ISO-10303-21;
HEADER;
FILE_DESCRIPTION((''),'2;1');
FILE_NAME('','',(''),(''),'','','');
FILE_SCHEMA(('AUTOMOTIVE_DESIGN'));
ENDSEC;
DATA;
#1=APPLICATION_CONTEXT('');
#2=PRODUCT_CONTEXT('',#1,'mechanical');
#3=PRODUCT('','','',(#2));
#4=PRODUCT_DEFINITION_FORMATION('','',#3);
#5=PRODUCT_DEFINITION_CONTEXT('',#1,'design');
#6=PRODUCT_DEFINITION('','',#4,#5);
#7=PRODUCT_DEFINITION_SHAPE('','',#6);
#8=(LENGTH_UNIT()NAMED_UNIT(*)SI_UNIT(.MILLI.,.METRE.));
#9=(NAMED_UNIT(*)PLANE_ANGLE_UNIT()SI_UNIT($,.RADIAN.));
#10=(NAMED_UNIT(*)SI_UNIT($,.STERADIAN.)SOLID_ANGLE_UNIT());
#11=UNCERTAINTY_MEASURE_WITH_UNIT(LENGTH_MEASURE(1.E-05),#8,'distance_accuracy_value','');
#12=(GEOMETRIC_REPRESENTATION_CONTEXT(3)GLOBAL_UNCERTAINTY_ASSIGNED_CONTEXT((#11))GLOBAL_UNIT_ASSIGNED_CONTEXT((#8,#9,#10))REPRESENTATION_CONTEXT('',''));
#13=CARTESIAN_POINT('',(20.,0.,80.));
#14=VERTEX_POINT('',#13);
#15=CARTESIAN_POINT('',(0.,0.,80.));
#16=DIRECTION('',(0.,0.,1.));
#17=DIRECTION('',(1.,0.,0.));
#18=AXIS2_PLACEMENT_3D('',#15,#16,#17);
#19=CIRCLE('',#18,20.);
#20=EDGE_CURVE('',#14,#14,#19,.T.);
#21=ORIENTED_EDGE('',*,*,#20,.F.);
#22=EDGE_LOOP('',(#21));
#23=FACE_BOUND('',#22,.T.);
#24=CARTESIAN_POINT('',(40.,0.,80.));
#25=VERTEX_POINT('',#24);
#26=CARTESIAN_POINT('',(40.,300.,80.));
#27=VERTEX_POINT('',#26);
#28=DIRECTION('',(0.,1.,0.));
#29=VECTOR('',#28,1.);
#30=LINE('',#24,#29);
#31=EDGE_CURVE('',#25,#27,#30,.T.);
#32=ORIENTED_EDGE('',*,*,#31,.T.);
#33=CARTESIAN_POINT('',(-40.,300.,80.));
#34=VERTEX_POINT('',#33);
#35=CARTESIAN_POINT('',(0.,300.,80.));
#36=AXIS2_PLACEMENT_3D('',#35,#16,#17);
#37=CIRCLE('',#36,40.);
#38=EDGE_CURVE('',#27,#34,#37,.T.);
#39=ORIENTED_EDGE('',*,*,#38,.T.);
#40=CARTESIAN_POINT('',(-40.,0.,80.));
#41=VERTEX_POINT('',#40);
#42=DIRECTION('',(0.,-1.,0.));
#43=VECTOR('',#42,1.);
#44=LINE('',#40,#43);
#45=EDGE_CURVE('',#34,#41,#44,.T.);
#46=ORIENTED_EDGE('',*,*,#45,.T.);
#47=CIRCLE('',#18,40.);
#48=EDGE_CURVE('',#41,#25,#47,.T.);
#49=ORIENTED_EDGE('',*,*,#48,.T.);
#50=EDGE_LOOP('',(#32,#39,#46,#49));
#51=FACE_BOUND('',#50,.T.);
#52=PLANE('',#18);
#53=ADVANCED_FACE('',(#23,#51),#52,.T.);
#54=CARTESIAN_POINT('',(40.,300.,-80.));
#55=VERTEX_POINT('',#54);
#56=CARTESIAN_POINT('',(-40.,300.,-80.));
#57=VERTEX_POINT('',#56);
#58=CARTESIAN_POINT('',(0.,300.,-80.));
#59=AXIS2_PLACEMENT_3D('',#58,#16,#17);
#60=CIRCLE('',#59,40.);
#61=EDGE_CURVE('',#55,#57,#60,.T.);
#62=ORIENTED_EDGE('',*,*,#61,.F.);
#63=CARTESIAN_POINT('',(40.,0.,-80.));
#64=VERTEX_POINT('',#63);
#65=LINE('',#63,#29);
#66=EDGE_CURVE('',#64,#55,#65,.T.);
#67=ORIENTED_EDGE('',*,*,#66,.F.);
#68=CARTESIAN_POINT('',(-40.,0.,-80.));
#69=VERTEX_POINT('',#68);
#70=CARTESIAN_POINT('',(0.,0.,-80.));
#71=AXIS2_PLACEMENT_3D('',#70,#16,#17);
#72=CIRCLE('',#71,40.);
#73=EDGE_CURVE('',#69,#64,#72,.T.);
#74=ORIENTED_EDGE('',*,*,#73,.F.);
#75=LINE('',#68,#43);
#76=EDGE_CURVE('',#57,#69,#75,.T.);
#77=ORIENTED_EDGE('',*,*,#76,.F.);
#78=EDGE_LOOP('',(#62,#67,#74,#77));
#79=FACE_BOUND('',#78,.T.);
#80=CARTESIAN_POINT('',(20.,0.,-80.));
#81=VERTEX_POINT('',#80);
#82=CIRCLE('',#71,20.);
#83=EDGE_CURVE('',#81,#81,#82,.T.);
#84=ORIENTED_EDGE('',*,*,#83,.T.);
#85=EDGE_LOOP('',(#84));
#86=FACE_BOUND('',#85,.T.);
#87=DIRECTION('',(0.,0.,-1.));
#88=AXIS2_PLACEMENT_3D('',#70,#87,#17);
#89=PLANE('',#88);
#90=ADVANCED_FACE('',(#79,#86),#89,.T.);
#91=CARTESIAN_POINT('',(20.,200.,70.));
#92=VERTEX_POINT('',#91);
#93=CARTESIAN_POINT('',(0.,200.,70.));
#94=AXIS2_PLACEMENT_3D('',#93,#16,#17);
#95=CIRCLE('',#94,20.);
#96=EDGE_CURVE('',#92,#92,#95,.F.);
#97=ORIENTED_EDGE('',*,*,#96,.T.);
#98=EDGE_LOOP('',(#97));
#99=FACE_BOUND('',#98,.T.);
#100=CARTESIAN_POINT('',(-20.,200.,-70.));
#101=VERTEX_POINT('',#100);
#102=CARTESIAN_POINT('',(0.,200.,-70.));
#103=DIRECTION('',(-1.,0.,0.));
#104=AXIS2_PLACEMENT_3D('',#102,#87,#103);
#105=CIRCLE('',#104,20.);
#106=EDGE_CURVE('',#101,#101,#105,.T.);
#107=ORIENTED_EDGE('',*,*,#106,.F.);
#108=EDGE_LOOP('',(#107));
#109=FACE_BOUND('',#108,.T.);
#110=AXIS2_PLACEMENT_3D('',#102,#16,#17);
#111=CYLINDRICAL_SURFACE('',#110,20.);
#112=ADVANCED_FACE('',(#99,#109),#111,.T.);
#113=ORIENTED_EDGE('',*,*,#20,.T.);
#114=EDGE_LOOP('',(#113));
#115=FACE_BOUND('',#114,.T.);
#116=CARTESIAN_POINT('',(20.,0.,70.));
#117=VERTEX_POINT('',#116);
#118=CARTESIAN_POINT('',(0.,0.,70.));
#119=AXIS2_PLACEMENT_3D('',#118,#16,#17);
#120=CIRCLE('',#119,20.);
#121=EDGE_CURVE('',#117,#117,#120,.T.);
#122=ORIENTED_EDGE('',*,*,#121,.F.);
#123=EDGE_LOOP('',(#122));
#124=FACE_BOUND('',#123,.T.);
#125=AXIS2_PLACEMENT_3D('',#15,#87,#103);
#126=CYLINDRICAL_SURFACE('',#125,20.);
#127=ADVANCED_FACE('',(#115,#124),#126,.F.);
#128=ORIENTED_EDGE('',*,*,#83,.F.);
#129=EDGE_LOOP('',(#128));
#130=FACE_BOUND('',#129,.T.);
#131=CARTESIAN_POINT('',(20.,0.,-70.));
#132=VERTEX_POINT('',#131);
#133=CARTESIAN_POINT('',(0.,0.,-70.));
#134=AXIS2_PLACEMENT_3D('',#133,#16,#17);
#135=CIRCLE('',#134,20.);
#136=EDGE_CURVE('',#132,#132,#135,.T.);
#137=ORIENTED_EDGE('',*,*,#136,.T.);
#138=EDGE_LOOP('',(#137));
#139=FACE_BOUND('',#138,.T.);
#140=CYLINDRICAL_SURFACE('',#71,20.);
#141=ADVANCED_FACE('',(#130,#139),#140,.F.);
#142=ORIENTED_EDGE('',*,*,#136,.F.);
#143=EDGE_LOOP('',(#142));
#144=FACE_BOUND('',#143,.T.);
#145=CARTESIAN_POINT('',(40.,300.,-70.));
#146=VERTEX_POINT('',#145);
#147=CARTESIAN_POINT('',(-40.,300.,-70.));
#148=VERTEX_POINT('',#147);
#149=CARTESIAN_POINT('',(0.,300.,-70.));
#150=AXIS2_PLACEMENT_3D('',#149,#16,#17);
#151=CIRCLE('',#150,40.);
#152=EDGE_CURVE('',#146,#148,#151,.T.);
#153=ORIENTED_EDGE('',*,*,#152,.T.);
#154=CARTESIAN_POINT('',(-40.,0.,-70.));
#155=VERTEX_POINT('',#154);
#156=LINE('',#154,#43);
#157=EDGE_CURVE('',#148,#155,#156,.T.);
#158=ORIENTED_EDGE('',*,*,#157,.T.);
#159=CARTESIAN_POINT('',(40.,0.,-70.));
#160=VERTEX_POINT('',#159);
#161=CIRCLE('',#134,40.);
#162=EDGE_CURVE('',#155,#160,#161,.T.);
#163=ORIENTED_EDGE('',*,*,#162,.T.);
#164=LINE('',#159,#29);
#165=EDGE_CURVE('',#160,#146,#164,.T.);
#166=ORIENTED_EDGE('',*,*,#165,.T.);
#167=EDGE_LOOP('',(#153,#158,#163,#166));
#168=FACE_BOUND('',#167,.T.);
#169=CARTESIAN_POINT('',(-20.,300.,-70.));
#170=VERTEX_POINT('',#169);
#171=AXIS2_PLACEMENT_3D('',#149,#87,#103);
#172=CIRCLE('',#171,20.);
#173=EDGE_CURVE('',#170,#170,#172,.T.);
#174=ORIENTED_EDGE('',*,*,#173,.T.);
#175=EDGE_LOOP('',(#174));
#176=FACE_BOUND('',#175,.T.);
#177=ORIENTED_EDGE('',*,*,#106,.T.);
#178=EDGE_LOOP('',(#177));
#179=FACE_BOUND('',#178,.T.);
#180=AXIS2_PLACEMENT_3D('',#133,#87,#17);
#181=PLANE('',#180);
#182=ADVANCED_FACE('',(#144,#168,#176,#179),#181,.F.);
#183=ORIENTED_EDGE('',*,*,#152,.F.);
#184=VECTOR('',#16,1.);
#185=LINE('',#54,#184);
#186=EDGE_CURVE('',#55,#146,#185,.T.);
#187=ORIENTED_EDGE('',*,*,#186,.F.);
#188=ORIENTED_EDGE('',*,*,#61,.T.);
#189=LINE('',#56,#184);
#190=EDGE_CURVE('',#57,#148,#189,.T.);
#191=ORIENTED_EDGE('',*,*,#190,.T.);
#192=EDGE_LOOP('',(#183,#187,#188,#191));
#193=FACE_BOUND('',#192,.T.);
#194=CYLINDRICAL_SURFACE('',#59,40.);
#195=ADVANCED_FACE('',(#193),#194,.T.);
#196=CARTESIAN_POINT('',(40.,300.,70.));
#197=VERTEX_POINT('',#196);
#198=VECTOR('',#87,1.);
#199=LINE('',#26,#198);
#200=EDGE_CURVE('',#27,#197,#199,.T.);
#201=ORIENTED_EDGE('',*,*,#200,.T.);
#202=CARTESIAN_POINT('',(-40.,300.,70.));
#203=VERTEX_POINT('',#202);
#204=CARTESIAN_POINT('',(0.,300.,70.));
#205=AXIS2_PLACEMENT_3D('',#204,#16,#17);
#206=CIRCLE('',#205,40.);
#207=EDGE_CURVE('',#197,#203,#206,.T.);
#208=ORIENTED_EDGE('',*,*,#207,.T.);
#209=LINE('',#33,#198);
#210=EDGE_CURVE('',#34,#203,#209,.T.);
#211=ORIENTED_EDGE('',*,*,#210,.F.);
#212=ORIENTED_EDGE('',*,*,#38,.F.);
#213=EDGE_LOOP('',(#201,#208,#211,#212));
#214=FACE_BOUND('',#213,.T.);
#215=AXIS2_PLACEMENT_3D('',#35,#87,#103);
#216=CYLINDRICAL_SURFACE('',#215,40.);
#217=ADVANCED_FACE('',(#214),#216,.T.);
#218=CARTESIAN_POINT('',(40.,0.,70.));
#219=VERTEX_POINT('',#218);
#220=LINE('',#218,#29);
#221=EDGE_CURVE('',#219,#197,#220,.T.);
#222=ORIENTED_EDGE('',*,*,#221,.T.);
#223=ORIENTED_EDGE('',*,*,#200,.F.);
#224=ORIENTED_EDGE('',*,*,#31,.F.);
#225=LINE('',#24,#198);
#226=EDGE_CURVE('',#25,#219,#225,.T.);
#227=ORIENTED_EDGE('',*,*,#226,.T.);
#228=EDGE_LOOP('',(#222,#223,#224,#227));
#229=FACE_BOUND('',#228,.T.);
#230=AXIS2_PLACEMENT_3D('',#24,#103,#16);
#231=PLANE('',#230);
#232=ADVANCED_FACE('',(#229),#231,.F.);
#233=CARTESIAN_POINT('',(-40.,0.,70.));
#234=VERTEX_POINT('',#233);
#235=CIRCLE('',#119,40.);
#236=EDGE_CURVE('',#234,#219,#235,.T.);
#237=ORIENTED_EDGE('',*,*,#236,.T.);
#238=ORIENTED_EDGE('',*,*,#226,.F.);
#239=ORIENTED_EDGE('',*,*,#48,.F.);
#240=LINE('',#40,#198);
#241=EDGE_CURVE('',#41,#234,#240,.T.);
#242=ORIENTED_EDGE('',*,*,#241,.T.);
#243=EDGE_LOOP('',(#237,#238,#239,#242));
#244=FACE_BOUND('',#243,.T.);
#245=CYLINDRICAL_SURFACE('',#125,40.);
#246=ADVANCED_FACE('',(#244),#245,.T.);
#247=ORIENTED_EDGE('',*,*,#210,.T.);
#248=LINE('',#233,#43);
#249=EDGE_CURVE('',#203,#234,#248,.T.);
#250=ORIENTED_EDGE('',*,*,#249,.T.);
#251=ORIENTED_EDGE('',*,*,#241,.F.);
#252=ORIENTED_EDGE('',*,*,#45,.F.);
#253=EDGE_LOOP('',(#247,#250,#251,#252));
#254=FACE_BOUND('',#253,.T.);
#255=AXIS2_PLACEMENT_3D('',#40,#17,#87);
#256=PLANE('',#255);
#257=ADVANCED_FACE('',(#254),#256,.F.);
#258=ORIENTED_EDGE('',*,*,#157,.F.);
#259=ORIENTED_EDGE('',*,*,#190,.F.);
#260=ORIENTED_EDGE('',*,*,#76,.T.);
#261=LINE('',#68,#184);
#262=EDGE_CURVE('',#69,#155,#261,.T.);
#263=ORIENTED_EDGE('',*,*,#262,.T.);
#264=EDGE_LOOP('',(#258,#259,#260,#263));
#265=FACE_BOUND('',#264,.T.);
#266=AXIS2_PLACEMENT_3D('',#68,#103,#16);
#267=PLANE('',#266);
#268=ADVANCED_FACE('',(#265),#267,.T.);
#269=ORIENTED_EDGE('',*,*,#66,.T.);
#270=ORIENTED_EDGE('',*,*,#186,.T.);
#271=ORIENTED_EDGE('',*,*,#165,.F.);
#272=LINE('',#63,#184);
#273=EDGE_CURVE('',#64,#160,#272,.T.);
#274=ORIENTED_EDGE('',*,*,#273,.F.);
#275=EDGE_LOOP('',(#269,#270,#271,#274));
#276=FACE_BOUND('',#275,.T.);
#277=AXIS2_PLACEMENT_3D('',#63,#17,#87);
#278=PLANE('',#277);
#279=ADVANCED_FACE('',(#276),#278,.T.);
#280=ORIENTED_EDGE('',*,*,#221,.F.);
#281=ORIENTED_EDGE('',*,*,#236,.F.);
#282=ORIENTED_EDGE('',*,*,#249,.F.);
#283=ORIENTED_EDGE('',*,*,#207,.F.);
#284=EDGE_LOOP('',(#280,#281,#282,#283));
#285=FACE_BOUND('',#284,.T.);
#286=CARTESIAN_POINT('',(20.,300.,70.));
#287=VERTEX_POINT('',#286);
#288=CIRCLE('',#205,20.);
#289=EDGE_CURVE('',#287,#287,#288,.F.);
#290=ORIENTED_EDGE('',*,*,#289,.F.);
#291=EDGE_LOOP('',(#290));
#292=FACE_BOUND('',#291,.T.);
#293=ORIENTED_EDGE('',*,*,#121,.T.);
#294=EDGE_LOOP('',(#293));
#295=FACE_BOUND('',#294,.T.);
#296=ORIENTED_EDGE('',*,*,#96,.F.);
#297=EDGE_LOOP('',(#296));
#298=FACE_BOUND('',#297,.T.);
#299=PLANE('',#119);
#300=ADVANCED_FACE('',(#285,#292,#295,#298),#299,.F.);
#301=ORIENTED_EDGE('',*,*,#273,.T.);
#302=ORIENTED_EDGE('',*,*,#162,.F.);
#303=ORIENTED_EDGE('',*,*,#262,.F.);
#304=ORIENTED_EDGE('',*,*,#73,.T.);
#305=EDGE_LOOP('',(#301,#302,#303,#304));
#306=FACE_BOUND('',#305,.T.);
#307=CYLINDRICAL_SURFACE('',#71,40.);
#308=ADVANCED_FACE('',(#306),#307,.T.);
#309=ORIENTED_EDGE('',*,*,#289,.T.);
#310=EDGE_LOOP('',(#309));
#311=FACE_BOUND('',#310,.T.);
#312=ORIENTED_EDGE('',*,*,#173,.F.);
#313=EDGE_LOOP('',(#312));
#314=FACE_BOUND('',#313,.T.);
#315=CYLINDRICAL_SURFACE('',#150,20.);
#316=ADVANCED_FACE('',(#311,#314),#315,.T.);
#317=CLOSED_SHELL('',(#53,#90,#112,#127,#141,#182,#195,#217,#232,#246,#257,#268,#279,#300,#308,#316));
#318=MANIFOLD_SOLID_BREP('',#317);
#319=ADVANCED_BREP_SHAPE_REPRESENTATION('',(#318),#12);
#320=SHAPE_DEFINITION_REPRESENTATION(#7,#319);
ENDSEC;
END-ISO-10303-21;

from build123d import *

# Parameters (mm, degrees)
BOSS_EXTRUDE1_START = 75
SKETCH1_R           = 20
BOSS_EXTRUDE1_DEPTH = 5
SKETCH2_R           = 20
BOSS_EXTRUDE2_DEPTH = 140


with BuildPart() as part:
    # Sketch1 → Boss-Extrude1 (new body, symmetric)
    with BuildSketch(Plane.XY.offset(BOSS_EXTRUDE1_START)):
        with BuildLine():
            Line((-40, 0), (-40, 300))
            ThreePointArc((-40, 300), (0, 340), (40, 300))
            Line((40, 300), (40, 0))
            ThreePointArc((40, 0), (0, -40), (-40, 0))
        make_face()
        Circle(SKETCH1_R, mode=Mode.SUBTRACT)
    boss_extrude1 = extrude(amount=BOSS_EXTRUDE1_DEPTH, both=True)

    # Sketch2 → Boss-Extrude2 (add)
    with BuildSketch(Plane(origin=(0, 0, 70), x_dir=(-1, 0, 0), z_dir=(0, 0, -1))):
        with Locations((0, 300)):
            Circle(SKETCH2_R)
        with Locations((0, 200)):
            Circle(SKETCH2_R)
    extrude(amount=BOSS_EXTRUDE2_DEPTH)

    # Mirror2: Boss-Extrude1 across plane
    add(boss_extrude1.mirror(Plane.XY))


solid = part.part
